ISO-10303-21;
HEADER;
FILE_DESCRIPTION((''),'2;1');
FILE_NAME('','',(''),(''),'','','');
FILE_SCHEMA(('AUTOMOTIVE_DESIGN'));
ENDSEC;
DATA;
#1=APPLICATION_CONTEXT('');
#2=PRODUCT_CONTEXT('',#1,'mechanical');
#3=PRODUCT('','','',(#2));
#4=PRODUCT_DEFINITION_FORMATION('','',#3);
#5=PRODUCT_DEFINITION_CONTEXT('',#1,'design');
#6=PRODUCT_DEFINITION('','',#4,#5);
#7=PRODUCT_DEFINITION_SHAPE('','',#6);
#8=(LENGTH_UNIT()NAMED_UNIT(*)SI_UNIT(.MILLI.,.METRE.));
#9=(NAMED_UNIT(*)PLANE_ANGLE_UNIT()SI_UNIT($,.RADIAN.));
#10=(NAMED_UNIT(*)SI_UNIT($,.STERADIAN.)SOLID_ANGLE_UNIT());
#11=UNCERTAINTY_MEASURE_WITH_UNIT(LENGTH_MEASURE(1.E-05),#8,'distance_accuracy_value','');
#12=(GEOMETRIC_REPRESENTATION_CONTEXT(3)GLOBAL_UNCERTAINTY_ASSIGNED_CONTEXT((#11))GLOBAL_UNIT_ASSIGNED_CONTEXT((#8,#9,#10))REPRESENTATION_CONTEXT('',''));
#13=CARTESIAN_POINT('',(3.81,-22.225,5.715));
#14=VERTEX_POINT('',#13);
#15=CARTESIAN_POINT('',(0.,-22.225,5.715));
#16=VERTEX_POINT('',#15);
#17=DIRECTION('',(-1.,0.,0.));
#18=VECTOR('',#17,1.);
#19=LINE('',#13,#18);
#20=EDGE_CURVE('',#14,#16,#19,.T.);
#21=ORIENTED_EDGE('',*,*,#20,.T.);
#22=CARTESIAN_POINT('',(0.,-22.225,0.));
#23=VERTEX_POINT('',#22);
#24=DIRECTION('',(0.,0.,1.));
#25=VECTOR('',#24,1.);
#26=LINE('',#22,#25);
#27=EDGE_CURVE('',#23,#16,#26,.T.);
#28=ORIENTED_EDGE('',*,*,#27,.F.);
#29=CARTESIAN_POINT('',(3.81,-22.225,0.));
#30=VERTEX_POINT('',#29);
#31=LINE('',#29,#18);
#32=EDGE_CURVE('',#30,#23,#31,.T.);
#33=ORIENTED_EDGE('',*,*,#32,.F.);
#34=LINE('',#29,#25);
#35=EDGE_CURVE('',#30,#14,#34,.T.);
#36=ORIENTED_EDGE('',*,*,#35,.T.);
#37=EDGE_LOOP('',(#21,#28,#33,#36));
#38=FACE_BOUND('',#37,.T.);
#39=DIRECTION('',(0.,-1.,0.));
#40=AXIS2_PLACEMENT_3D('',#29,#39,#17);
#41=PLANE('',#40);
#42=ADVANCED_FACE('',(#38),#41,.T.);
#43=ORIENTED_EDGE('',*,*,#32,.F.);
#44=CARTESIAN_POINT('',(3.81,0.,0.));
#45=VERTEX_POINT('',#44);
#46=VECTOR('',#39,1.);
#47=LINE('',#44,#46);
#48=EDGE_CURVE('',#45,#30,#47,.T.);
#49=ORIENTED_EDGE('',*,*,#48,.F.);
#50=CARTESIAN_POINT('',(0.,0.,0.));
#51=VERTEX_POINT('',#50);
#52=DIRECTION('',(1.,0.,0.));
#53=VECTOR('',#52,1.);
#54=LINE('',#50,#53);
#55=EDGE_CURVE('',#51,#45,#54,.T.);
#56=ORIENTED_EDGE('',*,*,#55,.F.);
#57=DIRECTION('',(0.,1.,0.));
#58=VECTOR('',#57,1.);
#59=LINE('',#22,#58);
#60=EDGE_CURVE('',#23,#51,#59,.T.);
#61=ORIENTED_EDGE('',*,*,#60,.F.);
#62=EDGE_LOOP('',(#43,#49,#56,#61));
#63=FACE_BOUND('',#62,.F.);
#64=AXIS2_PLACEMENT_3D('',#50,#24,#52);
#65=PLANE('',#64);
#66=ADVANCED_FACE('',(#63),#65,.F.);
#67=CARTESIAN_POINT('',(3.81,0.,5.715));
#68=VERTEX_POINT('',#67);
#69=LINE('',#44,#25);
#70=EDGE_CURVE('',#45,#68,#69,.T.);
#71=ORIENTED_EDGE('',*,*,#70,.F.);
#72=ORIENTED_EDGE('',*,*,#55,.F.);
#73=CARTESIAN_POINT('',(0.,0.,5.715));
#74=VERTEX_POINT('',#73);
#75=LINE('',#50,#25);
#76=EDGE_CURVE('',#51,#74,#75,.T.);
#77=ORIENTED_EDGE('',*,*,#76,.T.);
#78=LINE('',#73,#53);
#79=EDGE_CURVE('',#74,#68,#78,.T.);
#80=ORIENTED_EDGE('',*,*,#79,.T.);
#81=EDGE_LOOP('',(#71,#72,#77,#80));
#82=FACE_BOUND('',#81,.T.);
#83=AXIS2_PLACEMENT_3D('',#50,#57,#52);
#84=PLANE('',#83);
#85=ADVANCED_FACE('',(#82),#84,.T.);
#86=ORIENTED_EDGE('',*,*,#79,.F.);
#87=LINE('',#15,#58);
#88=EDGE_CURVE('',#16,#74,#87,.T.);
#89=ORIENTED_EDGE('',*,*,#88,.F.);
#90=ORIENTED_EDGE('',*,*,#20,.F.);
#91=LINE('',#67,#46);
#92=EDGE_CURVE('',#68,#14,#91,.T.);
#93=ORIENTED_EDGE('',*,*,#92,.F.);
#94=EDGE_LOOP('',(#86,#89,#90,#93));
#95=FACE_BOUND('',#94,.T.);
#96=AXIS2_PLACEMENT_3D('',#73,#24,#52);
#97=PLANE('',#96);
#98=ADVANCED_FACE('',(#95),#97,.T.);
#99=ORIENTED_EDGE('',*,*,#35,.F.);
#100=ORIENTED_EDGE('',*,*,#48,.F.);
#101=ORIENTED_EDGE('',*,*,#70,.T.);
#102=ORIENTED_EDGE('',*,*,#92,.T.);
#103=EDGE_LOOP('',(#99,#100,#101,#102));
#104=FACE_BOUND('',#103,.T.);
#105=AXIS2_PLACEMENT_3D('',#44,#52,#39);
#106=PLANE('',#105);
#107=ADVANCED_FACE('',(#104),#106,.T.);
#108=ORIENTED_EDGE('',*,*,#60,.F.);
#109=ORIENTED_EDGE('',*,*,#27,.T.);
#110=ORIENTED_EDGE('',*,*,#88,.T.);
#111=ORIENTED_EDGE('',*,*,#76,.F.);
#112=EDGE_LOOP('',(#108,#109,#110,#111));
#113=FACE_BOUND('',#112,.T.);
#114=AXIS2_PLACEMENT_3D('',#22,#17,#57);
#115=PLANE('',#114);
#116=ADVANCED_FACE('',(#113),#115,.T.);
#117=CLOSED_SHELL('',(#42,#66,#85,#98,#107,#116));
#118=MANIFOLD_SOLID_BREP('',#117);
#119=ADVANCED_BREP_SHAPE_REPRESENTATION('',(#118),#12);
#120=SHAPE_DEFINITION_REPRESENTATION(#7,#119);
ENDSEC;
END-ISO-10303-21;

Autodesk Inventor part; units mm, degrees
ref_plane "YZ Plane" through (0, 0, 0) normal (1, 0, 0) x (0, 1, 0)
ref_plane "XZ Plane" through (0, 0, 0) normal (0, 1, 0) x (-1, 0, 0)
ref_plane "XY Plane" through (0, 0, 0) normal (0, 0, 1) x (1, 0, 0)
sketch "Sketch1" plane through (0, 0, 0) normal (0, 0, 1) x (1, 0, 0)
  line L0 (0, 0) -> (3.81, 0)
  line L1 (3.81, 0) -> (3.81, -22.225)
  line L2 (3.81, -22.225) -> (0, -22.225)
  line L3 (0, -22.225) -> (0, 0)
  dimension "d0" = 3.81
  dimension "d1" = 22.225
extrude "Extrusion1" add sketch "Sketch1" along normal blind 5.715
properties part number "PiCamera" material "ABS Plastic"
